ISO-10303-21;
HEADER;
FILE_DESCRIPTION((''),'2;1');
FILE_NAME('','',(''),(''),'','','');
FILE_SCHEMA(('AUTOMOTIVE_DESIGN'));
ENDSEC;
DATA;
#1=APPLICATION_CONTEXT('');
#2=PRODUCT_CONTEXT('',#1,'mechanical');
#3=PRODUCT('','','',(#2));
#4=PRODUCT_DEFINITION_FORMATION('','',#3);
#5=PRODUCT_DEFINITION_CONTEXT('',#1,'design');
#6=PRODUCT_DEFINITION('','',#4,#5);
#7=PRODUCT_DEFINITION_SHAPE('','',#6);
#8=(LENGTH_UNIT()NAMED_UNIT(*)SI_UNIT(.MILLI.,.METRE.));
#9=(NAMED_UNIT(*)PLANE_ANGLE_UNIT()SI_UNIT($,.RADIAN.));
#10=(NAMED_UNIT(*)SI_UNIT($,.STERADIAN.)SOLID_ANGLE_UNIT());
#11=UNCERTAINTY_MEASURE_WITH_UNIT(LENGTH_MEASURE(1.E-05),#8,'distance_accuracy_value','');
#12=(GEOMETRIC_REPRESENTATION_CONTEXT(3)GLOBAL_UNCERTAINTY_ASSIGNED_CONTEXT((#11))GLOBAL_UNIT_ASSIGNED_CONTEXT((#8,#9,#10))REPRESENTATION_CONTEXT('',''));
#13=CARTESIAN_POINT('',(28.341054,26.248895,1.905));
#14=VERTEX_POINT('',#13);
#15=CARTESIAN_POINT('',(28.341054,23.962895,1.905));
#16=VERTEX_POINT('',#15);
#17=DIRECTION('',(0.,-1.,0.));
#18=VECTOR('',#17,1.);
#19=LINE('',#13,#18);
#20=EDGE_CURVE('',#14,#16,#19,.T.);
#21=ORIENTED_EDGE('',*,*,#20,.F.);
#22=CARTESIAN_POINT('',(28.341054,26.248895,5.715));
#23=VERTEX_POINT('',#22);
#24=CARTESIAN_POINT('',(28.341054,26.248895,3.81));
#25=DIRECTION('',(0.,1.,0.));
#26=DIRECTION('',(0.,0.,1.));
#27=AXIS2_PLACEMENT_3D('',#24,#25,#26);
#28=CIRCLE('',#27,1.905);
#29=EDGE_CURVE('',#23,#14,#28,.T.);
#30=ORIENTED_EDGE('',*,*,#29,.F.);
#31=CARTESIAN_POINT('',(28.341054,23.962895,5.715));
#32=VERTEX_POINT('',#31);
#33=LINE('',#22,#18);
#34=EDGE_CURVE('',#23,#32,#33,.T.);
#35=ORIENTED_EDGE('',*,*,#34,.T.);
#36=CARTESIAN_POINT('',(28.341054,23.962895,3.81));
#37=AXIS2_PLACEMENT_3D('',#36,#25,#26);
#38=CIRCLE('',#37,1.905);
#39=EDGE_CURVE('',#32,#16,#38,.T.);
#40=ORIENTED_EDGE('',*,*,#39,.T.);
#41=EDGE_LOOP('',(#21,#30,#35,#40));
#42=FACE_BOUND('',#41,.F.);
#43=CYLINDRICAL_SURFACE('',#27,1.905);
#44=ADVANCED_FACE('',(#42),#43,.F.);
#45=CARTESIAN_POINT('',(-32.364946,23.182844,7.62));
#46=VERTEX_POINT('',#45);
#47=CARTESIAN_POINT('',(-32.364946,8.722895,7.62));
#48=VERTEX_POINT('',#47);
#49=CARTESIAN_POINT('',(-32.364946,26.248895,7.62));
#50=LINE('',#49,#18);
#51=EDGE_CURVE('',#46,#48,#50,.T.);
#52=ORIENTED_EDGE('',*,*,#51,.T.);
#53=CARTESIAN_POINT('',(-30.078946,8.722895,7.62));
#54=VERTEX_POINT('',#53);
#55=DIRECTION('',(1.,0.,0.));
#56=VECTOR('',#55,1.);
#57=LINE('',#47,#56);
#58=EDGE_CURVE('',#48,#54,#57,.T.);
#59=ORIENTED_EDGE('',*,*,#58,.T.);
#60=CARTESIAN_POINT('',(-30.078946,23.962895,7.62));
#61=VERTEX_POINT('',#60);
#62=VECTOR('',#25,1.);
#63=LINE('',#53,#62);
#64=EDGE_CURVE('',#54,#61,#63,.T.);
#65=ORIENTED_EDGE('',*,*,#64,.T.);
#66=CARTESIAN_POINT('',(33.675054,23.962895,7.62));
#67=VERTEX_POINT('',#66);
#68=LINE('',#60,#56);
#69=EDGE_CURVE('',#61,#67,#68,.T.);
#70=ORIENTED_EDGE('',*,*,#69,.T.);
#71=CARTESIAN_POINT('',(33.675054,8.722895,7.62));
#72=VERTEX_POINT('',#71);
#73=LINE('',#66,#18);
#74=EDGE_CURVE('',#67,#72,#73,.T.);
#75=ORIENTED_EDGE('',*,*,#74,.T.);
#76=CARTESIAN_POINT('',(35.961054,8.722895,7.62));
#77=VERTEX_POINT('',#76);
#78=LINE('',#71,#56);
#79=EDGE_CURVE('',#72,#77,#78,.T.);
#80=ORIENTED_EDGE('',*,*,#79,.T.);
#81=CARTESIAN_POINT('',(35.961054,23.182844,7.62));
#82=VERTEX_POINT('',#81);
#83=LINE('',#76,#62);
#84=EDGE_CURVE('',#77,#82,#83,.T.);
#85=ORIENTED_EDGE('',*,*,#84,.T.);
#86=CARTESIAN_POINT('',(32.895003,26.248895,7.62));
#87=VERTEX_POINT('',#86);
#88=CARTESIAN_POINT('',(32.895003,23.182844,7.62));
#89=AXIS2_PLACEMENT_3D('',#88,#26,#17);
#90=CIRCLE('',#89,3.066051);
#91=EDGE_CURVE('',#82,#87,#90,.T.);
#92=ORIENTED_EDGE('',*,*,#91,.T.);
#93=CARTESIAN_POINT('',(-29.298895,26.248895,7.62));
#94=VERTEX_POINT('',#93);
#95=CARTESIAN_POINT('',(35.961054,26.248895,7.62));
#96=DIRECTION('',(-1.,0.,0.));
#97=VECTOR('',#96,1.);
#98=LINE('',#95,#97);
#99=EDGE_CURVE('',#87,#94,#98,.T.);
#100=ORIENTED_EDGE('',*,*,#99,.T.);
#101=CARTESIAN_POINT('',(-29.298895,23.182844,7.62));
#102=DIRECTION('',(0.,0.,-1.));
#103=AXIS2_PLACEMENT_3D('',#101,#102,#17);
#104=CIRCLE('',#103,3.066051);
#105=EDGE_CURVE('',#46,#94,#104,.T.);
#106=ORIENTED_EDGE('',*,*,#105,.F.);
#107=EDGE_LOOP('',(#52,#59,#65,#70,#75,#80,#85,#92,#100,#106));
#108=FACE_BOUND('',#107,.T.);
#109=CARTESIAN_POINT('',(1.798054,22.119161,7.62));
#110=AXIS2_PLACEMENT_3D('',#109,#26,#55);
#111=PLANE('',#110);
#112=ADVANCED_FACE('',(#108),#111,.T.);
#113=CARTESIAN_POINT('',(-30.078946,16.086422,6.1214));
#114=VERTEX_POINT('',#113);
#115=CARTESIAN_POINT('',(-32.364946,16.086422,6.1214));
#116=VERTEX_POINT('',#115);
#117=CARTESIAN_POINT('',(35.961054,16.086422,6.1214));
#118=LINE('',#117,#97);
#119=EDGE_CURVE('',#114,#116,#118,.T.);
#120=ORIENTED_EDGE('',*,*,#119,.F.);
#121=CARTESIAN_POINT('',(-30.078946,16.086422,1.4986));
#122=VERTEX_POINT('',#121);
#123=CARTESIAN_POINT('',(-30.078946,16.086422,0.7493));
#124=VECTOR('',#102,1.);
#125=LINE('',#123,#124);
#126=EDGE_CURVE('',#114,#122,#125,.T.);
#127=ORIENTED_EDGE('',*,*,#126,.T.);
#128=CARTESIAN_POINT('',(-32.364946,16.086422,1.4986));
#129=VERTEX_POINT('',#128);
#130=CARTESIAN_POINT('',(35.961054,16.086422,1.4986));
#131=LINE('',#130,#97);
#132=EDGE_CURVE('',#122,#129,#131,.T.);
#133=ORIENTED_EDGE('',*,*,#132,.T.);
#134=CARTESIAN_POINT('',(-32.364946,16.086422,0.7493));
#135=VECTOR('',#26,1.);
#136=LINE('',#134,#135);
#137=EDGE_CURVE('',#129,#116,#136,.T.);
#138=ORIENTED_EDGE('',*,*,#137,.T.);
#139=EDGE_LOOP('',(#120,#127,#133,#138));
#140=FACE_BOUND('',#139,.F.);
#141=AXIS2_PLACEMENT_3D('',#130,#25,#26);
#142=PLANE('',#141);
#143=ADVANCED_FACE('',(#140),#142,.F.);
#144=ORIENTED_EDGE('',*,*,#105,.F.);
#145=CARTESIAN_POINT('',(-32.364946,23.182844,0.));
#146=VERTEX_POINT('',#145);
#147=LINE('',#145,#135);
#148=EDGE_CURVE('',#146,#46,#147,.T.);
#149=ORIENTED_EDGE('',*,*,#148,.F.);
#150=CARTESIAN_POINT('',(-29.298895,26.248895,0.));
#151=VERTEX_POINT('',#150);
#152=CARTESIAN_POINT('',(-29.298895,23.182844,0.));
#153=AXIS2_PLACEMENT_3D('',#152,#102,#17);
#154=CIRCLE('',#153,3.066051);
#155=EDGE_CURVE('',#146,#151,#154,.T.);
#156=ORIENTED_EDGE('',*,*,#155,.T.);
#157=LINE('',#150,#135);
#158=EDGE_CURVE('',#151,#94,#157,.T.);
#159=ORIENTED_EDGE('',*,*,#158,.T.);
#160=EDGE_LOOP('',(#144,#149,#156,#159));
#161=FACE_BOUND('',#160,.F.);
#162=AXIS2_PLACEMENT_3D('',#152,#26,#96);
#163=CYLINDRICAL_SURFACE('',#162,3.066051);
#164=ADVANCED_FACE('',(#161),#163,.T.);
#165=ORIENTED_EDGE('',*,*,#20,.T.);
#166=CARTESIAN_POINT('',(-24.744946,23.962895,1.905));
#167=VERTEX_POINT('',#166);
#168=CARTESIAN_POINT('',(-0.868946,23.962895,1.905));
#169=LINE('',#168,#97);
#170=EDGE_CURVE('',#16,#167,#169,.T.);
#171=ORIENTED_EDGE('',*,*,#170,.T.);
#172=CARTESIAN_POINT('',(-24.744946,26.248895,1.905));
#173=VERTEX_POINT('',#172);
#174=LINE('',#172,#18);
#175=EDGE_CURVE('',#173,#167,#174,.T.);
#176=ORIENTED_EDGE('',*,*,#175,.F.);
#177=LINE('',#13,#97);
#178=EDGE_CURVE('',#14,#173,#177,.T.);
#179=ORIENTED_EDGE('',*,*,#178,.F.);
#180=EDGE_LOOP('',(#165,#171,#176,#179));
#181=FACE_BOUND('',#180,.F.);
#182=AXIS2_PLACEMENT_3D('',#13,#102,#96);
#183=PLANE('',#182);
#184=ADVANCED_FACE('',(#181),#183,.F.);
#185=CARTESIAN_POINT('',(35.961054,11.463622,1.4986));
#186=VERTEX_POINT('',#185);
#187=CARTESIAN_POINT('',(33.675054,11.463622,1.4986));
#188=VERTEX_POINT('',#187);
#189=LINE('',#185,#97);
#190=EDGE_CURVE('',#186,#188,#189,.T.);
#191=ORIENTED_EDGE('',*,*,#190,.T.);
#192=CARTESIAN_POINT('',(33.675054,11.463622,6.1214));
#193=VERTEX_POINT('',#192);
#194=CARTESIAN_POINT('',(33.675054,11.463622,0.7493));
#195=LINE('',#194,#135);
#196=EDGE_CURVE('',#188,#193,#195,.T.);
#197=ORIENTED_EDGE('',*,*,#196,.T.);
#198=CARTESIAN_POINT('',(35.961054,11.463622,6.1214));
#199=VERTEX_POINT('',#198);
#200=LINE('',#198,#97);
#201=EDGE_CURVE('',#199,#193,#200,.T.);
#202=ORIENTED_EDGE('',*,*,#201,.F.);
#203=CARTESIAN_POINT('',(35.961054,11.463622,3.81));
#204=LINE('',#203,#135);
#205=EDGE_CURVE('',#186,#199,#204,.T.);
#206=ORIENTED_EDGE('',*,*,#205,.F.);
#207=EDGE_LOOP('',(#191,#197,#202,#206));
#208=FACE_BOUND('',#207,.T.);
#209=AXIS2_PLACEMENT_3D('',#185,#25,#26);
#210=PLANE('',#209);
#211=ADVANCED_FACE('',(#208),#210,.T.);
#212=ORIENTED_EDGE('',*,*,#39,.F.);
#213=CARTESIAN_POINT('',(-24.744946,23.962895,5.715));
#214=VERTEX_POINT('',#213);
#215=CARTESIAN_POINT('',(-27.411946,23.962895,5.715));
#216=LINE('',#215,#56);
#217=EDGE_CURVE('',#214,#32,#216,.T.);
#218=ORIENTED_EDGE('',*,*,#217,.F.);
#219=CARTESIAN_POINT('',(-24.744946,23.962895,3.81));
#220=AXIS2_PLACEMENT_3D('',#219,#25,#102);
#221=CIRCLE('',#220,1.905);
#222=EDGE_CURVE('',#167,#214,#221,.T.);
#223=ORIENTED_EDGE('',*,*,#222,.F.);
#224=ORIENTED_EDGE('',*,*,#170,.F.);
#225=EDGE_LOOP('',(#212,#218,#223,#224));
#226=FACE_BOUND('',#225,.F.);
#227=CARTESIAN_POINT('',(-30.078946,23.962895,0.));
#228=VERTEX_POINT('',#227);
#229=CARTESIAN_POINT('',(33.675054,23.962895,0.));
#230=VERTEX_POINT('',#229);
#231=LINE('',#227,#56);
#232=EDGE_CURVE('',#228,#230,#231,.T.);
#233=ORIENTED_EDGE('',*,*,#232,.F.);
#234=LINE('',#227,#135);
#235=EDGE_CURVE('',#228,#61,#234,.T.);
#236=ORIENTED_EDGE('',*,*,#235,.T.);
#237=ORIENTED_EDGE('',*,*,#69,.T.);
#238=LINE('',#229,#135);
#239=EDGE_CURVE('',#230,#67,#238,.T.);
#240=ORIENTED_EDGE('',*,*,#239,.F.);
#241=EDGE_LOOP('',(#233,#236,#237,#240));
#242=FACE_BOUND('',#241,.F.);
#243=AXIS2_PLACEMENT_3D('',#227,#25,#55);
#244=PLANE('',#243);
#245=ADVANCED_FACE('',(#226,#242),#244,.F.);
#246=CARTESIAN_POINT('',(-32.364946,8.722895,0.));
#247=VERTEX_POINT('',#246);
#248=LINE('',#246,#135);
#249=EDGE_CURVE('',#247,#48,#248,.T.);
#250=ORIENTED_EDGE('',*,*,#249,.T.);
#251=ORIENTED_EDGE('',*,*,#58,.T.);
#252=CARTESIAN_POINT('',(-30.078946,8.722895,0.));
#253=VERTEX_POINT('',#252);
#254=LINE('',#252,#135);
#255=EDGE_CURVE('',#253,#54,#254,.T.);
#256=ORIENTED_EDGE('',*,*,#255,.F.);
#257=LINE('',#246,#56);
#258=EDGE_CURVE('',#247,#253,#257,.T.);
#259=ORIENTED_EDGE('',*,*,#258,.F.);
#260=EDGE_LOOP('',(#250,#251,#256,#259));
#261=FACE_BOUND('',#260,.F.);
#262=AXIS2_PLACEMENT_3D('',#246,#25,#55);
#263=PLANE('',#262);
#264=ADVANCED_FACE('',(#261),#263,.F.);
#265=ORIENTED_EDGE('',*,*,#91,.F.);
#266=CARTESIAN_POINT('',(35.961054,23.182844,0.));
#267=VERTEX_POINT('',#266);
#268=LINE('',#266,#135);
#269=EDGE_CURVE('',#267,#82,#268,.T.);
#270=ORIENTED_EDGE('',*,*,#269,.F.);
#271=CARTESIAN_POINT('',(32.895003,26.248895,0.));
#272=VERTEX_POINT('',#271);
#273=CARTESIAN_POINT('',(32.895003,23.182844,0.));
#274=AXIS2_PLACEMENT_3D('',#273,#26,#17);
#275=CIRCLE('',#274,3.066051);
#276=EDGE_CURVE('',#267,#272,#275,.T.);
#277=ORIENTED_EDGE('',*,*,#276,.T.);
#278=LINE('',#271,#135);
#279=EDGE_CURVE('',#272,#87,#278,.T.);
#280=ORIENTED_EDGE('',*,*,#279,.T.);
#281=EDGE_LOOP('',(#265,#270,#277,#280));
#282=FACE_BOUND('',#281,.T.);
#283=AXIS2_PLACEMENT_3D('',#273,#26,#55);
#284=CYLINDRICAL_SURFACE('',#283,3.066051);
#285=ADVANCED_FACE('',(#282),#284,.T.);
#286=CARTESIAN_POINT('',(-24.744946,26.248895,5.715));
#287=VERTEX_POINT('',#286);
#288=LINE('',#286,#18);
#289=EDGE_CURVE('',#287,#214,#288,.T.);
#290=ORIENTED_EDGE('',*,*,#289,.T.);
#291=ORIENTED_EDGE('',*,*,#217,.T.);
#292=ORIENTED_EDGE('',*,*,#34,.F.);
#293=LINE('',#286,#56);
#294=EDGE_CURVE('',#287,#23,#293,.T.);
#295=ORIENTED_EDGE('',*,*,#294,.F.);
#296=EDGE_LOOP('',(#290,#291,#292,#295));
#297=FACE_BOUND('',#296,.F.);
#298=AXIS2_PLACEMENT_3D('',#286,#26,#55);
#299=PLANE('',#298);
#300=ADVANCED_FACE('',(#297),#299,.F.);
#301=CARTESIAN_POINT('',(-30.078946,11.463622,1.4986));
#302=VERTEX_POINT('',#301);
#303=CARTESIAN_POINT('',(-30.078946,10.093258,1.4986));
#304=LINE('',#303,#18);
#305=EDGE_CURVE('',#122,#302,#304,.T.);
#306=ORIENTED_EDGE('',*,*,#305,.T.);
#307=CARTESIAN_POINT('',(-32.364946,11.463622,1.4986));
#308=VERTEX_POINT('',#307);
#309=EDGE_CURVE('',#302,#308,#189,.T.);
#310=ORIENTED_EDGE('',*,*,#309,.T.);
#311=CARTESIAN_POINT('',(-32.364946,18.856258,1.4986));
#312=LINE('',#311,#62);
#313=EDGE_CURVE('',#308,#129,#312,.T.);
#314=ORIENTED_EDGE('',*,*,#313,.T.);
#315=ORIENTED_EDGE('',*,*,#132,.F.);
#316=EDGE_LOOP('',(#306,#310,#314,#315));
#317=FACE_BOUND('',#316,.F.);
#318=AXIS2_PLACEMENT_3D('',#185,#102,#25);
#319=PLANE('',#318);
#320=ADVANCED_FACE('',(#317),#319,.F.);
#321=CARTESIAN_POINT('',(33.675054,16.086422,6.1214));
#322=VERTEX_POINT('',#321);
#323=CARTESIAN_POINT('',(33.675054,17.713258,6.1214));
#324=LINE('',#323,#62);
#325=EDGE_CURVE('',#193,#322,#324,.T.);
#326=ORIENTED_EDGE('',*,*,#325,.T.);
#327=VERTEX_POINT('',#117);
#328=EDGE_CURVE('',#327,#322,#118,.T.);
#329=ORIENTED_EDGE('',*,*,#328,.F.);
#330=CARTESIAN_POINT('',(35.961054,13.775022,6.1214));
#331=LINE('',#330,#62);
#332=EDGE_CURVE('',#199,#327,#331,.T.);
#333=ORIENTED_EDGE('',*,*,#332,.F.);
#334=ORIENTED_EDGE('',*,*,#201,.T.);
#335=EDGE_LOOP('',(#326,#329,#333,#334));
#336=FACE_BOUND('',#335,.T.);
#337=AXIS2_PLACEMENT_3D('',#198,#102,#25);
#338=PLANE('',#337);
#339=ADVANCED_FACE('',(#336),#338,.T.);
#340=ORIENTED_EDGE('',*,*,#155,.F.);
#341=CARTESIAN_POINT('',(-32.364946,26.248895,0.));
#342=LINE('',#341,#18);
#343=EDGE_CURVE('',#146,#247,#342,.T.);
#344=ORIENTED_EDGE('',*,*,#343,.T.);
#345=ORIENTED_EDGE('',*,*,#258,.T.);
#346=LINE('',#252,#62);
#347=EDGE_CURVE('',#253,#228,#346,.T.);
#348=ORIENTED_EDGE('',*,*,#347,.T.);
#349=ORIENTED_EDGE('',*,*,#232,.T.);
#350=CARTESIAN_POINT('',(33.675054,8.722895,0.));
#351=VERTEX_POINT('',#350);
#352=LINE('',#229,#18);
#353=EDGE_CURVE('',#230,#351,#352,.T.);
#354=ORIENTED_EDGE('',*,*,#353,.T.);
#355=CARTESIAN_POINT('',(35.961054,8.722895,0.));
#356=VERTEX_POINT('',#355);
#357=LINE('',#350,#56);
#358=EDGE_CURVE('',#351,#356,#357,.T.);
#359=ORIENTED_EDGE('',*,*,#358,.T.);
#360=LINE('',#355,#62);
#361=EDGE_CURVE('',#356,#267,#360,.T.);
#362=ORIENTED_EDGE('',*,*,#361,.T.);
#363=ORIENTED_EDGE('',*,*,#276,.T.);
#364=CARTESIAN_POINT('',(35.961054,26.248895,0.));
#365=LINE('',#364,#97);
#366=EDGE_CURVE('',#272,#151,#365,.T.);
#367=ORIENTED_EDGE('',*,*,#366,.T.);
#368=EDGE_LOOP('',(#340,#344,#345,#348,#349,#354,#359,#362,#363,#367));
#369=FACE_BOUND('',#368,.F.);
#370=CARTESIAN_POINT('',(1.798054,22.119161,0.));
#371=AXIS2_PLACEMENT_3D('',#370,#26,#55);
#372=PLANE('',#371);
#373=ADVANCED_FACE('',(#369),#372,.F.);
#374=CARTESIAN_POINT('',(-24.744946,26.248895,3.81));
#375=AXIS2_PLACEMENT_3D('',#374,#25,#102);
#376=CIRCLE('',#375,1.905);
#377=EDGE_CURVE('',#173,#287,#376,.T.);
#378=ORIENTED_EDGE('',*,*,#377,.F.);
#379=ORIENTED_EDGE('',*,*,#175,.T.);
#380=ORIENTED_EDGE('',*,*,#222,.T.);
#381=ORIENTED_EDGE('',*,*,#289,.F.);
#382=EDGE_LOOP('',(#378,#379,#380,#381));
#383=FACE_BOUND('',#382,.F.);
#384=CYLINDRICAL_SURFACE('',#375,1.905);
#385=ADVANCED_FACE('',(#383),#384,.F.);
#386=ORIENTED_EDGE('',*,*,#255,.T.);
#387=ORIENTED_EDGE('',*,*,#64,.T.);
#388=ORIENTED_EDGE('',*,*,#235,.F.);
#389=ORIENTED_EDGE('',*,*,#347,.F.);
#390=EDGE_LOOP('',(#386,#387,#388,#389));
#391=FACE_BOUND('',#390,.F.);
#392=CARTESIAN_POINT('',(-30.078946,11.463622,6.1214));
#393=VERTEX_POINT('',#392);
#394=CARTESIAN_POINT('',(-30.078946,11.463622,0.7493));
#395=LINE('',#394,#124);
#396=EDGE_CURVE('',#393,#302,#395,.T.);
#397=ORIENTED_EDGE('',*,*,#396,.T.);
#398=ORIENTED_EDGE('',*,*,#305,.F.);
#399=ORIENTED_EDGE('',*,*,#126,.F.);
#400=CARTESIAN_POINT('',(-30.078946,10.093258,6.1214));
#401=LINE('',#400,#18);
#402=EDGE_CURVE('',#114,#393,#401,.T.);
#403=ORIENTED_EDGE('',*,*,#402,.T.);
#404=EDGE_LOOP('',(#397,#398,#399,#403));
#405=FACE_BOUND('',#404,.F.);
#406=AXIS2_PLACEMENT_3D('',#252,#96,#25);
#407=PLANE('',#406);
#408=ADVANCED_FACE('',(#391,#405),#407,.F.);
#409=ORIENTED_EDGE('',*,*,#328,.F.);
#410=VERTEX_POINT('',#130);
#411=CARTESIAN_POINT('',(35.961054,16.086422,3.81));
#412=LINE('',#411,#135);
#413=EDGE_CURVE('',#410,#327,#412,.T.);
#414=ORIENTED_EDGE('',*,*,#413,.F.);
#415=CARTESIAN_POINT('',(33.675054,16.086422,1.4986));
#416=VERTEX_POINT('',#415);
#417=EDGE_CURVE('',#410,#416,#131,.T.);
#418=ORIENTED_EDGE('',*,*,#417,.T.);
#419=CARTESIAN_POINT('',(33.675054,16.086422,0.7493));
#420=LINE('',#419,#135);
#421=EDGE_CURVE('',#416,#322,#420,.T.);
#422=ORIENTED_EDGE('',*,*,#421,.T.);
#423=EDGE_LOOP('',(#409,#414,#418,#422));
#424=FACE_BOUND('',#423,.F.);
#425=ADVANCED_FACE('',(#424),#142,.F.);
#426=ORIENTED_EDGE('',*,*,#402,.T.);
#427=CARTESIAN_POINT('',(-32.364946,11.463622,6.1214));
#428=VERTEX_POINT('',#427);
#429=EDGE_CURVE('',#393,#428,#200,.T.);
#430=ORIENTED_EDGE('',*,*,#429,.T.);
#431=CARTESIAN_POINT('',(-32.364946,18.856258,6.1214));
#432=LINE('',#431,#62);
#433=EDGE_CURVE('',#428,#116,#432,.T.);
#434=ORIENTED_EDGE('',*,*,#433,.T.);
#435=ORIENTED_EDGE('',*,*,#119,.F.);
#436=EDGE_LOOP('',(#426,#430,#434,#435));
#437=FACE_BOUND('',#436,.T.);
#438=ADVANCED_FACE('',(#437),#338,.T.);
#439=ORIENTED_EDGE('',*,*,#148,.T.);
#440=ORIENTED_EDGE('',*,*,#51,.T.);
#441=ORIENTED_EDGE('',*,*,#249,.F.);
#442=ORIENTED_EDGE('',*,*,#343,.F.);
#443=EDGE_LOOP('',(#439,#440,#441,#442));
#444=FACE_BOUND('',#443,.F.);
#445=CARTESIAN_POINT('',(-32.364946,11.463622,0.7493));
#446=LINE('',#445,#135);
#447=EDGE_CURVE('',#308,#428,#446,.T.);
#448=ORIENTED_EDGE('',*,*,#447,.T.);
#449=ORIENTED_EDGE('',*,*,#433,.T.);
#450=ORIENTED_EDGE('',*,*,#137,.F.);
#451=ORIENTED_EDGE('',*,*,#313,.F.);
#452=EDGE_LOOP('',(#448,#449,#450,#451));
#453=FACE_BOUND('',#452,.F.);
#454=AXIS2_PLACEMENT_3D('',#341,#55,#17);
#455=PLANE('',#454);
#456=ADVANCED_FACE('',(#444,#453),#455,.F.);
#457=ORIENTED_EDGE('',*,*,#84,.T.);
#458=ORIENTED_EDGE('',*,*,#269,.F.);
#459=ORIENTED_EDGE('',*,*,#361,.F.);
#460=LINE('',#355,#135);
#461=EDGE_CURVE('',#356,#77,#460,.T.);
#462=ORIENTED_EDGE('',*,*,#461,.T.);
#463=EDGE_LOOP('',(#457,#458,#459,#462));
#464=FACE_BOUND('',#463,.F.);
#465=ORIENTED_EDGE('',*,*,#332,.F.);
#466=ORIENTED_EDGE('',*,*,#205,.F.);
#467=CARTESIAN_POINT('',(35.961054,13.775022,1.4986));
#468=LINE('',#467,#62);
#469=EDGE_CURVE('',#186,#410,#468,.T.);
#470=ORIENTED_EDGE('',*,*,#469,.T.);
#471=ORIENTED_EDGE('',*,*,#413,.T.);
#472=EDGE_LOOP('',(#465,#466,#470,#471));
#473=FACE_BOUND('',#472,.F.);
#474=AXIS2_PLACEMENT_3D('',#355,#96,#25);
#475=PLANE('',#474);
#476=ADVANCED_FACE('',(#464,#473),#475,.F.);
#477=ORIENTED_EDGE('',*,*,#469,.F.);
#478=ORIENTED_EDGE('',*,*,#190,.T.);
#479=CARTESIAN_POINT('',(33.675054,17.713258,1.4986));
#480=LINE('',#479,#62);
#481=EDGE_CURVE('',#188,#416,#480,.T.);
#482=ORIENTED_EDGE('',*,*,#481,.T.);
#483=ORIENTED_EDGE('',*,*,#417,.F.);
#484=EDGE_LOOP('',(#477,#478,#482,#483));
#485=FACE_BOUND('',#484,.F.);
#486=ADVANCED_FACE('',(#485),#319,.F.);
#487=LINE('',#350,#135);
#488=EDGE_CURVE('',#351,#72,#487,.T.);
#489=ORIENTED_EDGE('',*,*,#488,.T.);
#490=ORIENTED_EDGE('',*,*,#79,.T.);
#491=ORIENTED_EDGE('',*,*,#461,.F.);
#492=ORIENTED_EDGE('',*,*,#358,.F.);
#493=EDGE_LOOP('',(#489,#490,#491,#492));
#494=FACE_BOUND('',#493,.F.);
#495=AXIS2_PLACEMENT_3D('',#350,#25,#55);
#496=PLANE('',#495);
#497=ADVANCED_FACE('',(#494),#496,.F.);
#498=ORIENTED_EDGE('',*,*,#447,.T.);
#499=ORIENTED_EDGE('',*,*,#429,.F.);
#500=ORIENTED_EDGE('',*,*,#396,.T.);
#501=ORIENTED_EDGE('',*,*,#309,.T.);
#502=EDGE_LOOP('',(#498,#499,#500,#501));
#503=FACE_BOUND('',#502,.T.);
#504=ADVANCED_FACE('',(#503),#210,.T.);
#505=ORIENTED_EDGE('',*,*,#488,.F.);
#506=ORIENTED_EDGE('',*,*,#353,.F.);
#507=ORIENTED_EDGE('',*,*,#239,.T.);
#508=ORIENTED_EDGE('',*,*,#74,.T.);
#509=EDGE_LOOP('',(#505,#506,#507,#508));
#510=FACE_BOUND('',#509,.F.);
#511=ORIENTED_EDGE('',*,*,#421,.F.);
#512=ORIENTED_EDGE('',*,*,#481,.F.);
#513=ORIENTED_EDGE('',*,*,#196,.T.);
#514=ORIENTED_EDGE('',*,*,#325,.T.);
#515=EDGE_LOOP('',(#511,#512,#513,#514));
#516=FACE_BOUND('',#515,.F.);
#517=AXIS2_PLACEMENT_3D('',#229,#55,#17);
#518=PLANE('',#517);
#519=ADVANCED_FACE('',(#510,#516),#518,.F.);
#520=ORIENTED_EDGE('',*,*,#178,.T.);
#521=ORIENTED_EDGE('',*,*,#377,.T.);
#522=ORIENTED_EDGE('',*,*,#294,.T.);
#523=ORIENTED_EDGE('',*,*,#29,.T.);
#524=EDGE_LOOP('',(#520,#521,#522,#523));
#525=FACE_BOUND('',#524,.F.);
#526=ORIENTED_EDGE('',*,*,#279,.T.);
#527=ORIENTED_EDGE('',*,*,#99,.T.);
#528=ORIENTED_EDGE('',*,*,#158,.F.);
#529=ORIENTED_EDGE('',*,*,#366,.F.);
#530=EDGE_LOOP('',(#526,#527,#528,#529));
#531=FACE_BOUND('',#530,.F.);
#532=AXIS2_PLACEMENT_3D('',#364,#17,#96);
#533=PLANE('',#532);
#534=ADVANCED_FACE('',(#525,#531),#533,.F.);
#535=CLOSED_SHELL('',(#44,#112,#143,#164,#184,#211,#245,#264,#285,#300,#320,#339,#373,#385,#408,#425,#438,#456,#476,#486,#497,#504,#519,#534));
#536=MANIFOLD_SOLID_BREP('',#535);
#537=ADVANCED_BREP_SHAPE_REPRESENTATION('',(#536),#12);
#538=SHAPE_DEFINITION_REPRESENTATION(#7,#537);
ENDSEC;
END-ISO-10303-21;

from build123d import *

# Parameters (mm, degrees)
F1_DEPTH = 7.62
F2_W     = 4.6228
F2_H     = 4.6228
F3_DEPTH = 86.106
F5_DEPTH = 25.4
F6_R     = 3.066051


with BuildPart() as f1:
    # F0 (on Top) → F1 (new body)
    with BuildSketch(Plane.XY):
        Polygon((-30.078946, 8.722895), (-30.078946, 23.962895), (33.675054, 23.962895), (33.675054, 8.722895), (35.961054, 8.722895), (35.961054, 26.248895), (-32.364946, 26.248895), (-32.364946, 8.722895), align=None)
    extrude(amount=F1_DEPTH)

    # F2 (on face) → F3 (cut)
    with BuildSketch(Plane.YZ.offset(35.961054)):
        with Locations((13.775022, 3.81)):
            Rectangle(F2_W, F2_H)
    extrude(amount=-F3_DEPTH, mode=Mode.SUBTRACT)

    # F4 (on face) → F5 (cut)
    with BuildSketch(Plane(origin=(0, 26.248895, 0), x_dir=(-1, 0, 0), z_dir=(0, 1, 0))):
        with BuildLine():
            Line((24.744946, 5.715), (-28.341054, 5.715))
            Line((-28.341054, 5.715), (-28.341054, 1.905))
            Line((-28.341054, 1.905), (24.744946, 1.905))
            ThreePointArc((24.744946, 1.905), (26.649946, 3.81), (24.744946, 5.715))
        make_face()
        with BuildLine():
            Line((-28.341054, 1.905), (-28.341054, 5.715))
            ThreePointArc((-28.341054, 5.715), (-30.246054, 3.81), (-28.341054, 1.905))
        make_face()
    extrude(amount=-F5_DEPTH, mode=Mode.SUBTRACT)

    # F6
    f6_edges = [f1.edges().sort_by_distance(p)[0] for p in [
        (35.961054, 26.248895, 3.81),
        (-32.364946, 26.248895, 3.81),
    ]]
    fillet(f6_edges, radius=F6_R)


solid = f1.part
